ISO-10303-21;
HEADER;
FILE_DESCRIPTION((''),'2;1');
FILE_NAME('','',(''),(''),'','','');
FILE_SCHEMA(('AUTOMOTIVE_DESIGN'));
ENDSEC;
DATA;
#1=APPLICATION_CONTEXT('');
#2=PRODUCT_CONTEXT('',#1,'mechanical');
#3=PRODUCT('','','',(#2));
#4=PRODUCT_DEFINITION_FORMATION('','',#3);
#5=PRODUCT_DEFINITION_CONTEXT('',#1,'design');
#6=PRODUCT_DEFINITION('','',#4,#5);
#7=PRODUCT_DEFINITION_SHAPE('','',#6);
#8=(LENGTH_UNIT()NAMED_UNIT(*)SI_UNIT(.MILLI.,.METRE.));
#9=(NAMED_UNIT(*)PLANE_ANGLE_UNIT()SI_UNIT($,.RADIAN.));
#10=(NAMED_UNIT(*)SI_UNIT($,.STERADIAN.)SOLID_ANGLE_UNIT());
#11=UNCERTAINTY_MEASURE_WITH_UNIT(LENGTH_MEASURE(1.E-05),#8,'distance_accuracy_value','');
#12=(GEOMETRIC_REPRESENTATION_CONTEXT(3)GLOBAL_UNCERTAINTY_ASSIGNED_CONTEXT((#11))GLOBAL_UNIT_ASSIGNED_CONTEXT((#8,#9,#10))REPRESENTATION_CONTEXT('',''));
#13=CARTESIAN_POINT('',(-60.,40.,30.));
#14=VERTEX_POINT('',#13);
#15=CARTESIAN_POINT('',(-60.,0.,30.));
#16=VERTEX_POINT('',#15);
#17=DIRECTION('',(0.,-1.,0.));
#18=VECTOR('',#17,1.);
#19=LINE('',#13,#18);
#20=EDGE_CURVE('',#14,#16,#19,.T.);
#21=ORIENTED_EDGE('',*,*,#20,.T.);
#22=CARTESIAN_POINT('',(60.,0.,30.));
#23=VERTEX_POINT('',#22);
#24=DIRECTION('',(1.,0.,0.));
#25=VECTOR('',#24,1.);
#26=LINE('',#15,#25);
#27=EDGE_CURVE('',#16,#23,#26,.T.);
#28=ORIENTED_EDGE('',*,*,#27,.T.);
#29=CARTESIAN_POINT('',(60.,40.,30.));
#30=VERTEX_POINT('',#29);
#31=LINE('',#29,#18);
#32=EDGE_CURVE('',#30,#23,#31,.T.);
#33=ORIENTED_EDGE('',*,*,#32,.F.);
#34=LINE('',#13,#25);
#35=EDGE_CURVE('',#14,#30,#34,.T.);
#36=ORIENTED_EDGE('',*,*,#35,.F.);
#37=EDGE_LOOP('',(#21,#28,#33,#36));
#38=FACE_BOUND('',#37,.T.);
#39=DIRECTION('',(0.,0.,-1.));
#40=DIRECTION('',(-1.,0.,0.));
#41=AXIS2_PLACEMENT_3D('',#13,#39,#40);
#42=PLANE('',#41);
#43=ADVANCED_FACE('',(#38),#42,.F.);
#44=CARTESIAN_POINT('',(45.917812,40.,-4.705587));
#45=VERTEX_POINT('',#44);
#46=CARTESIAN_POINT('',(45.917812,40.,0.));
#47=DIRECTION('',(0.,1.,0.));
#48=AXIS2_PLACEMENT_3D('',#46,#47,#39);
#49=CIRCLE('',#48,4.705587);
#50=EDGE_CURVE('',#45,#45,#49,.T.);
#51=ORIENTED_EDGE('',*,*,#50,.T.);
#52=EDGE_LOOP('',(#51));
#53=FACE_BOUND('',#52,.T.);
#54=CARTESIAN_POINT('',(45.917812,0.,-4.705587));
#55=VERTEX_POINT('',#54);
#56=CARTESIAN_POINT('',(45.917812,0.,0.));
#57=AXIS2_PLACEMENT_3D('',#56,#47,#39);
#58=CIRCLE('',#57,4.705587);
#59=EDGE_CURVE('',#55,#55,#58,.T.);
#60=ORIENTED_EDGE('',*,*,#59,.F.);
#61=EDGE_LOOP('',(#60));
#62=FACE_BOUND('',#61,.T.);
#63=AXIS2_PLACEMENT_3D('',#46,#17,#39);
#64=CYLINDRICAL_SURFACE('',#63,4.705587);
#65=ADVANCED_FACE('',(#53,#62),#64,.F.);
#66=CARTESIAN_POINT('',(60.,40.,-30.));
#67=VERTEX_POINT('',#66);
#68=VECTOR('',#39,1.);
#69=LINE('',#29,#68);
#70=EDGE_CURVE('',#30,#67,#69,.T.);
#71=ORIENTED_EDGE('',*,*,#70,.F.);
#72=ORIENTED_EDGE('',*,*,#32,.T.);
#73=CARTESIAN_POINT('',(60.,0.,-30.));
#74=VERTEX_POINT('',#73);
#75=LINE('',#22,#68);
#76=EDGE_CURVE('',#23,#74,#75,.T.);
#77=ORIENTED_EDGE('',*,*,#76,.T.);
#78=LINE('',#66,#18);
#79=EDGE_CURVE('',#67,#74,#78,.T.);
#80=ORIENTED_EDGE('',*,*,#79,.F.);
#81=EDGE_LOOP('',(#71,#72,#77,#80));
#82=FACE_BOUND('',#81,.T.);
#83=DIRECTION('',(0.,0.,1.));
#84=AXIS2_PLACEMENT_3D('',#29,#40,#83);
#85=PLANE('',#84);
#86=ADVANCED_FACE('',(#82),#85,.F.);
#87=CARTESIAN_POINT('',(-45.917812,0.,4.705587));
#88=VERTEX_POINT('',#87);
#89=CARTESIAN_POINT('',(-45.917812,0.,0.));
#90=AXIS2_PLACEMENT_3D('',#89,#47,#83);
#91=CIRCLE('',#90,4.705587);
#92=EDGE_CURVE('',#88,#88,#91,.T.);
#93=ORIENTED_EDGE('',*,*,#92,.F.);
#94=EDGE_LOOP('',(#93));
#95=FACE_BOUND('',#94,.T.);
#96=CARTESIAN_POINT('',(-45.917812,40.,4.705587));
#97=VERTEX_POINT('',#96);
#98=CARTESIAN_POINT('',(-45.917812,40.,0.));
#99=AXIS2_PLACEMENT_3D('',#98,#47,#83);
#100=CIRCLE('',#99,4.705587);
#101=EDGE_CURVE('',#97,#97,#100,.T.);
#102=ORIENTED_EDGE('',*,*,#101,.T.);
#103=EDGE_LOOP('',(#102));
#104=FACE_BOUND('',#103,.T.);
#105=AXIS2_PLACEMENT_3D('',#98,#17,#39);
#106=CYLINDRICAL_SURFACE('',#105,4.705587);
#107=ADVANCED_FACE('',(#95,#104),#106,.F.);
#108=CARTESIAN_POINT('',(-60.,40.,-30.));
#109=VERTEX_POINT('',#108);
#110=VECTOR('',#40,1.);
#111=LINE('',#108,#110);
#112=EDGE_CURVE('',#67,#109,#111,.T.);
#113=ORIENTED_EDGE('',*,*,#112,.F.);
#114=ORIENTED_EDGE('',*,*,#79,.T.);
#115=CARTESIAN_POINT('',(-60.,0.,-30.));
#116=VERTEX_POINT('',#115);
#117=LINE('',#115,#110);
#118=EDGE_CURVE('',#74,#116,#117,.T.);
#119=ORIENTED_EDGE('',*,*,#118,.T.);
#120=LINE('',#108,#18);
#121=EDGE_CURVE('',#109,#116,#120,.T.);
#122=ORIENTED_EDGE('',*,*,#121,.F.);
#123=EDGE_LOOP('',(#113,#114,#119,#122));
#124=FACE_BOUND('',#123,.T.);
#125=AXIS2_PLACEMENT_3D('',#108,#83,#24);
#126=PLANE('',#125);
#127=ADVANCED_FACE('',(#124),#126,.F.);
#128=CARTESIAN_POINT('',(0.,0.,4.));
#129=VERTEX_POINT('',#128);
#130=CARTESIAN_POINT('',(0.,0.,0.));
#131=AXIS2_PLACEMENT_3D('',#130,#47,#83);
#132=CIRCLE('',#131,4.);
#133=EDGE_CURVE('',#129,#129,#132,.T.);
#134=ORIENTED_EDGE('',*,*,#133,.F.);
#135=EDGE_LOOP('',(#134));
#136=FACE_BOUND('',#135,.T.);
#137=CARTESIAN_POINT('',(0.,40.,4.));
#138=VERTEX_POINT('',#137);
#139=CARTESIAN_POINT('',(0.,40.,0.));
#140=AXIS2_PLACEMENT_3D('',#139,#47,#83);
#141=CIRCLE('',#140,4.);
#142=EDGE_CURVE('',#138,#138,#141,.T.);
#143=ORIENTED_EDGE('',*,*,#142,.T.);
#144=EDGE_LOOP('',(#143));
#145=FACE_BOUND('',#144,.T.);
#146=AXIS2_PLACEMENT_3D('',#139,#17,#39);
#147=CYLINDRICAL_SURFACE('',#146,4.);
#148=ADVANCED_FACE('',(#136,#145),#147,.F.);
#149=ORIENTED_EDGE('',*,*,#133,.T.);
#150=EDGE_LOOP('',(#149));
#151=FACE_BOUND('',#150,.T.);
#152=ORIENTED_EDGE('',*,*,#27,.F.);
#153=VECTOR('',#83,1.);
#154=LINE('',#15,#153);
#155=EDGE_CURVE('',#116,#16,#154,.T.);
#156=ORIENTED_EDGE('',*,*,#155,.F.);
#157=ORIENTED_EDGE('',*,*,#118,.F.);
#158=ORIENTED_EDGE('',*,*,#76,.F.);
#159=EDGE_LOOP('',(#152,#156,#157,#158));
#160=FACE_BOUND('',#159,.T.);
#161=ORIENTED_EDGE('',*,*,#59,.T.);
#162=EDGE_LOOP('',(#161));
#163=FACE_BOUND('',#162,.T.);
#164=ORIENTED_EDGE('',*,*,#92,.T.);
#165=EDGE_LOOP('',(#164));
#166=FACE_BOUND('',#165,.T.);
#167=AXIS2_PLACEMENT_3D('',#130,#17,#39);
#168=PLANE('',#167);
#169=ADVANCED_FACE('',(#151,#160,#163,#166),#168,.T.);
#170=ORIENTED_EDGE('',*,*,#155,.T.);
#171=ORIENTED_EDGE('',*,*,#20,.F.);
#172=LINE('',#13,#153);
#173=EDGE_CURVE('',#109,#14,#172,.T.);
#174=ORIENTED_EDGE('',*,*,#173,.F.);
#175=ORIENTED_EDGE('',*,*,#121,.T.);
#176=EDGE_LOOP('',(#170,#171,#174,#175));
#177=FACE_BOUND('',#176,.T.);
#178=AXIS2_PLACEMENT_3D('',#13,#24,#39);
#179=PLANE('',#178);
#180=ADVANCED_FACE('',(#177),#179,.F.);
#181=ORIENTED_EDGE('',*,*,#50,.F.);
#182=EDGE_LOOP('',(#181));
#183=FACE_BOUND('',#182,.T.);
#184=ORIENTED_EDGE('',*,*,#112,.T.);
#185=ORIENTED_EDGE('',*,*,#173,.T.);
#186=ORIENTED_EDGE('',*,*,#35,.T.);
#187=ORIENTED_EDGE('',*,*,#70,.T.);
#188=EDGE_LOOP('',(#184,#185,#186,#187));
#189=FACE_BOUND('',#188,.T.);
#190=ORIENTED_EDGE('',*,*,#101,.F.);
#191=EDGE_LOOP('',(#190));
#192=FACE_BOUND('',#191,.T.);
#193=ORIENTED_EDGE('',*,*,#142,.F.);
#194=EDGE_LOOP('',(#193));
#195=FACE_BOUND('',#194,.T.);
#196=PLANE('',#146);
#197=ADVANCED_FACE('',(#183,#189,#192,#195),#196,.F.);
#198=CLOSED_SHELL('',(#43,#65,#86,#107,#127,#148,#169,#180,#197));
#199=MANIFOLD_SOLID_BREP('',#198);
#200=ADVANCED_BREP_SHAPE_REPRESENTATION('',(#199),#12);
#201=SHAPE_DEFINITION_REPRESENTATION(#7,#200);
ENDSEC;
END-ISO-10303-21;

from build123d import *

# Parameters (mm, degrees)
SKETCH1_W           = 120
SKETCH1_H           = 60
SKETCH1_R           = 4
SKETCH1_R_2         = 4.705587352
BOSS_EXTRUDE1_DEPTH = 40


with BuildPart() as part:
    # Sketch1 → Boss-Extrude1 (new body)
    with BuildSketch(Plane(origin=(0, 0, 0), x_dir=(1, 0, 0), z_dir=(0, 1, 0))):
        Rectangle(SKETCH1_W, SKETCH1_H)
        with Locations(Location((0, 0, 0), (0, 0, 270))):
            Circle(SKETCH1_R, mode=Mode.SUBTRACT)
        with Locations(Location((-45.917812161, 0, 0), (0, 0, 270))):
            Circle(SKETCH1_R_2, mode=Mode.SUBTRACT)
        with Locations(Location((45.917812161, 0, 0), (0, 0, 90))):
            Circle(SKETCH1_R_2, mode=Mode.SUBTRACT)
    extrude(amount=BOSS_EXTRUDE1_DEPTH)


solid = part.part
